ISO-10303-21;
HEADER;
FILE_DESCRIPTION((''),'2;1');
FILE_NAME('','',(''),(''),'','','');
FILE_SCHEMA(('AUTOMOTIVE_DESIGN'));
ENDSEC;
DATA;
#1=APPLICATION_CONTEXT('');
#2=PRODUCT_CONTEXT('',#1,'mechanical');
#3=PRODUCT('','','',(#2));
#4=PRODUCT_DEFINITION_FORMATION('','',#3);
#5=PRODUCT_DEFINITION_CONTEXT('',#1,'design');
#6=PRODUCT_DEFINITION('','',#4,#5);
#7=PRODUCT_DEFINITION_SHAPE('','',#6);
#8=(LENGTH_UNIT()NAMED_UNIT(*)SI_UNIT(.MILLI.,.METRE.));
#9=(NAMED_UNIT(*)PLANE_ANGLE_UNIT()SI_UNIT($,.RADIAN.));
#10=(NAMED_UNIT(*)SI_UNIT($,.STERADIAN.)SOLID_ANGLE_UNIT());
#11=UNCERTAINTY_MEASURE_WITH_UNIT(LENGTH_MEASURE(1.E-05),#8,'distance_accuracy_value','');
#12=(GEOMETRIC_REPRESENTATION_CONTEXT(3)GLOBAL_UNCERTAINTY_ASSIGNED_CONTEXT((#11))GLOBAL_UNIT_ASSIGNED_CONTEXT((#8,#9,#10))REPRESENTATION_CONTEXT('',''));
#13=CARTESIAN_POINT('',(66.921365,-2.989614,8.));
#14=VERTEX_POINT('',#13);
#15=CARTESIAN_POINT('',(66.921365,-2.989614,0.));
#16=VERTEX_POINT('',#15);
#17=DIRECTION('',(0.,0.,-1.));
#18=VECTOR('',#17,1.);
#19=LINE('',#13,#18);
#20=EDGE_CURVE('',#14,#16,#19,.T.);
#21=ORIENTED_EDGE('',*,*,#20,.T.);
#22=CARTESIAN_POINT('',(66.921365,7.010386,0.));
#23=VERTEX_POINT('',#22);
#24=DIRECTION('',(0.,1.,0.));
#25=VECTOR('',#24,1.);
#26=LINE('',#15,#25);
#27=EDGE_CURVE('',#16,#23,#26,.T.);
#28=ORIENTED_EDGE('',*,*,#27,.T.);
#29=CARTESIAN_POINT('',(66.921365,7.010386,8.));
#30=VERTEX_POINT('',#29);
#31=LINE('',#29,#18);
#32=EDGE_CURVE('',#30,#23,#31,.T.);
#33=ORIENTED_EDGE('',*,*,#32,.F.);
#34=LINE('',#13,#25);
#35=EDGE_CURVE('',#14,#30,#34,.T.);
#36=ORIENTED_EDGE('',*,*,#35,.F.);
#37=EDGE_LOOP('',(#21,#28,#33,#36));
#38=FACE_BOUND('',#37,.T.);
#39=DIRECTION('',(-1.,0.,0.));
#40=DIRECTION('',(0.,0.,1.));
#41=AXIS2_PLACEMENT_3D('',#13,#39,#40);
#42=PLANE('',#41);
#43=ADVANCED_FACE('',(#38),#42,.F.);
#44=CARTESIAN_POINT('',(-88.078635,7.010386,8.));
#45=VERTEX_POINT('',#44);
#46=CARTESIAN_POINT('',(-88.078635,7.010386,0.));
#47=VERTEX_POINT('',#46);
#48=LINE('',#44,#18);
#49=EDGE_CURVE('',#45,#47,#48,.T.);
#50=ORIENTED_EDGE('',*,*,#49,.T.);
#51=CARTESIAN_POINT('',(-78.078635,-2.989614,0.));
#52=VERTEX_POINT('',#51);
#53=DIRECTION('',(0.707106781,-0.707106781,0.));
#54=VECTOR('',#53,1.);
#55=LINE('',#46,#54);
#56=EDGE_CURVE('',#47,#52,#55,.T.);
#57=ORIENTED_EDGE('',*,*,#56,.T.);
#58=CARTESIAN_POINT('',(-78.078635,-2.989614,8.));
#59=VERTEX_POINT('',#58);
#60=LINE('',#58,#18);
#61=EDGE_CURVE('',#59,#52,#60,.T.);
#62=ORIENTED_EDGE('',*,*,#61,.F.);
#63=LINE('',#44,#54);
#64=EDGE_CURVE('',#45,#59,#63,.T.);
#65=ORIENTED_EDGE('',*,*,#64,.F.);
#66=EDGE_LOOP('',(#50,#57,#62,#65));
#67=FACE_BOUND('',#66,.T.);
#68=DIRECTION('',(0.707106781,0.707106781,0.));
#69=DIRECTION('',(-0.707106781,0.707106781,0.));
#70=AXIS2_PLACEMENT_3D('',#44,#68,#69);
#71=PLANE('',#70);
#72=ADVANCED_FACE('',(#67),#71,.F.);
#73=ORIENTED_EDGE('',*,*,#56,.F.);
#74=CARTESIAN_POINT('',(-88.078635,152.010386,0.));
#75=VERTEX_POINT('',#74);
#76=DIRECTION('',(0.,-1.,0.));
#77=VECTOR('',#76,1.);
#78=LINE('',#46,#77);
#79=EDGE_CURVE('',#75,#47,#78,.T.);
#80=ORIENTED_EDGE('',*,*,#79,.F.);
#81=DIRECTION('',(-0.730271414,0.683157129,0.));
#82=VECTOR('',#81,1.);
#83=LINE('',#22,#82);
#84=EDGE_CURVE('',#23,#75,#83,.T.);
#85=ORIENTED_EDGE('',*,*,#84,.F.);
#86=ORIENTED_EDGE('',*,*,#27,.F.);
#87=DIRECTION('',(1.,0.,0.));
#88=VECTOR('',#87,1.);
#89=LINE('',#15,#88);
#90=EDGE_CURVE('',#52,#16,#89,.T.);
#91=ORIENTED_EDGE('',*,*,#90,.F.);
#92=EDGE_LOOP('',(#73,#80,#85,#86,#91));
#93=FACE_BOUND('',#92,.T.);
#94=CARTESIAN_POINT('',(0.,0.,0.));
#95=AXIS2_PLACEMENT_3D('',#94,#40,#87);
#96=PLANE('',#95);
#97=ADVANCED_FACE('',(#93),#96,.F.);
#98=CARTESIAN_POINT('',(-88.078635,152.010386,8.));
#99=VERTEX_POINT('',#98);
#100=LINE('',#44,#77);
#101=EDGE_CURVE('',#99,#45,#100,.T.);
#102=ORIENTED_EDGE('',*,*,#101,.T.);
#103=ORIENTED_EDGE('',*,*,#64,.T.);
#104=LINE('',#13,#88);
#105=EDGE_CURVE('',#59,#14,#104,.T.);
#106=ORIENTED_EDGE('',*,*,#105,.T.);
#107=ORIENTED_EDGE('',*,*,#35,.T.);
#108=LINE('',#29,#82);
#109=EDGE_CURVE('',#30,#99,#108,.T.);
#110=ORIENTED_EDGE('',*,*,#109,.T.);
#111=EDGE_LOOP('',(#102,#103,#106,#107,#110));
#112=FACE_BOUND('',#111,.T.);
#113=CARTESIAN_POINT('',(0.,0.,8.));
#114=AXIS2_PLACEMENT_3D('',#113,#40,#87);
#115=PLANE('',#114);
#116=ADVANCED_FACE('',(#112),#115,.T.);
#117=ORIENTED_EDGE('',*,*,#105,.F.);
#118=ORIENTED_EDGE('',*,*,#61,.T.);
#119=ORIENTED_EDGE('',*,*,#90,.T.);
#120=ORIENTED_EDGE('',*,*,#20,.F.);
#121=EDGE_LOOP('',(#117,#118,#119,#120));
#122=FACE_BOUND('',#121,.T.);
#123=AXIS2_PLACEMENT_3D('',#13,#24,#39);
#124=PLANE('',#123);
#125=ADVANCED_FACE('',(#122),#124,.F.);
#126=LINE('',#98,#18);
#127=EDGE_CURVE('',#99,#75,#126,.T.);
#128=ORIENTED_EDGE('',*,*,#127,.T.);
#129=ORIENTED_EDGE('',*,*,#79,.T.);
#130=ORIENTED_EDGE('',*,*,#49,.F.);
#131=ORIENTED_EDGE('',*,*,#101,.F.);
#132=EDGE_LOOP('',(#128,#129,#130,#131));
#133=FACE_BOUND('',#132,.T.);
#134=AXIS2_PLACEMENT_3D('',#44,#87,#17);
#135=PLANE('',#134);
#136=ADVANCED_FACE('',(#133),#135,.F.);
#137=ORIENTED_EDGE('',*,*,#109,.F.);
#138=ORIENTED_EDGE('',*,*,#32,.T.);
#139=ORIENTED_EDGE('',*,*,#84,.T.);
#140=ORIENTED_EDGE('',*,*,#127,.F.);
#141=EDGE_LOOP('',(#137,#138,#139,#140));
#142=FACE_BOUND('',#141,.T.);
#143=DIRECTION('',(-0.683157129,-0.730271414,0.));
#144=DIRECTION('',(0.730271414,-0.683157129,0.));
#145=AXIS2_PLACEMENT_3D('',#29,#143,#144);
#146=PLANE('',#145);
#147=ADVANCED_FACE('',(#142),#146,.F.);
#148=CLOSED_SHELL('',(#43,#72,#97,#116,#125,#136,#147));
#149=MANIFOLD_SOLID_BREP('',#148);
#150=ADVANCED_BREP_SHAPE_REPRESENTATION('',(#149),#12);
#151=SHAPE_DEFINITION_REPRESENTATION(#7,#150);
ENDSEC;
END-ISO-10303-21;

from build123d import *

# Parameters (mm, degrees)
BOSS_EXTRUDE1_DEPTH = 8


with BuildPart() as part:
    # Sketch1 → Boss-Extrude1 (new body)
    with BuildSketch(Plane.XY):
        Polygon((66.921364985, -2.989614243), (-78.078635015, -2.989614243), (-88.078635015, 7.010385757), (-88.078635015, 152.010385757), (66.921364985, 7.010385757), align=None)
    extrude(amount=BOSS_EXTRUDE1_DEPTH)


solid = part.part
